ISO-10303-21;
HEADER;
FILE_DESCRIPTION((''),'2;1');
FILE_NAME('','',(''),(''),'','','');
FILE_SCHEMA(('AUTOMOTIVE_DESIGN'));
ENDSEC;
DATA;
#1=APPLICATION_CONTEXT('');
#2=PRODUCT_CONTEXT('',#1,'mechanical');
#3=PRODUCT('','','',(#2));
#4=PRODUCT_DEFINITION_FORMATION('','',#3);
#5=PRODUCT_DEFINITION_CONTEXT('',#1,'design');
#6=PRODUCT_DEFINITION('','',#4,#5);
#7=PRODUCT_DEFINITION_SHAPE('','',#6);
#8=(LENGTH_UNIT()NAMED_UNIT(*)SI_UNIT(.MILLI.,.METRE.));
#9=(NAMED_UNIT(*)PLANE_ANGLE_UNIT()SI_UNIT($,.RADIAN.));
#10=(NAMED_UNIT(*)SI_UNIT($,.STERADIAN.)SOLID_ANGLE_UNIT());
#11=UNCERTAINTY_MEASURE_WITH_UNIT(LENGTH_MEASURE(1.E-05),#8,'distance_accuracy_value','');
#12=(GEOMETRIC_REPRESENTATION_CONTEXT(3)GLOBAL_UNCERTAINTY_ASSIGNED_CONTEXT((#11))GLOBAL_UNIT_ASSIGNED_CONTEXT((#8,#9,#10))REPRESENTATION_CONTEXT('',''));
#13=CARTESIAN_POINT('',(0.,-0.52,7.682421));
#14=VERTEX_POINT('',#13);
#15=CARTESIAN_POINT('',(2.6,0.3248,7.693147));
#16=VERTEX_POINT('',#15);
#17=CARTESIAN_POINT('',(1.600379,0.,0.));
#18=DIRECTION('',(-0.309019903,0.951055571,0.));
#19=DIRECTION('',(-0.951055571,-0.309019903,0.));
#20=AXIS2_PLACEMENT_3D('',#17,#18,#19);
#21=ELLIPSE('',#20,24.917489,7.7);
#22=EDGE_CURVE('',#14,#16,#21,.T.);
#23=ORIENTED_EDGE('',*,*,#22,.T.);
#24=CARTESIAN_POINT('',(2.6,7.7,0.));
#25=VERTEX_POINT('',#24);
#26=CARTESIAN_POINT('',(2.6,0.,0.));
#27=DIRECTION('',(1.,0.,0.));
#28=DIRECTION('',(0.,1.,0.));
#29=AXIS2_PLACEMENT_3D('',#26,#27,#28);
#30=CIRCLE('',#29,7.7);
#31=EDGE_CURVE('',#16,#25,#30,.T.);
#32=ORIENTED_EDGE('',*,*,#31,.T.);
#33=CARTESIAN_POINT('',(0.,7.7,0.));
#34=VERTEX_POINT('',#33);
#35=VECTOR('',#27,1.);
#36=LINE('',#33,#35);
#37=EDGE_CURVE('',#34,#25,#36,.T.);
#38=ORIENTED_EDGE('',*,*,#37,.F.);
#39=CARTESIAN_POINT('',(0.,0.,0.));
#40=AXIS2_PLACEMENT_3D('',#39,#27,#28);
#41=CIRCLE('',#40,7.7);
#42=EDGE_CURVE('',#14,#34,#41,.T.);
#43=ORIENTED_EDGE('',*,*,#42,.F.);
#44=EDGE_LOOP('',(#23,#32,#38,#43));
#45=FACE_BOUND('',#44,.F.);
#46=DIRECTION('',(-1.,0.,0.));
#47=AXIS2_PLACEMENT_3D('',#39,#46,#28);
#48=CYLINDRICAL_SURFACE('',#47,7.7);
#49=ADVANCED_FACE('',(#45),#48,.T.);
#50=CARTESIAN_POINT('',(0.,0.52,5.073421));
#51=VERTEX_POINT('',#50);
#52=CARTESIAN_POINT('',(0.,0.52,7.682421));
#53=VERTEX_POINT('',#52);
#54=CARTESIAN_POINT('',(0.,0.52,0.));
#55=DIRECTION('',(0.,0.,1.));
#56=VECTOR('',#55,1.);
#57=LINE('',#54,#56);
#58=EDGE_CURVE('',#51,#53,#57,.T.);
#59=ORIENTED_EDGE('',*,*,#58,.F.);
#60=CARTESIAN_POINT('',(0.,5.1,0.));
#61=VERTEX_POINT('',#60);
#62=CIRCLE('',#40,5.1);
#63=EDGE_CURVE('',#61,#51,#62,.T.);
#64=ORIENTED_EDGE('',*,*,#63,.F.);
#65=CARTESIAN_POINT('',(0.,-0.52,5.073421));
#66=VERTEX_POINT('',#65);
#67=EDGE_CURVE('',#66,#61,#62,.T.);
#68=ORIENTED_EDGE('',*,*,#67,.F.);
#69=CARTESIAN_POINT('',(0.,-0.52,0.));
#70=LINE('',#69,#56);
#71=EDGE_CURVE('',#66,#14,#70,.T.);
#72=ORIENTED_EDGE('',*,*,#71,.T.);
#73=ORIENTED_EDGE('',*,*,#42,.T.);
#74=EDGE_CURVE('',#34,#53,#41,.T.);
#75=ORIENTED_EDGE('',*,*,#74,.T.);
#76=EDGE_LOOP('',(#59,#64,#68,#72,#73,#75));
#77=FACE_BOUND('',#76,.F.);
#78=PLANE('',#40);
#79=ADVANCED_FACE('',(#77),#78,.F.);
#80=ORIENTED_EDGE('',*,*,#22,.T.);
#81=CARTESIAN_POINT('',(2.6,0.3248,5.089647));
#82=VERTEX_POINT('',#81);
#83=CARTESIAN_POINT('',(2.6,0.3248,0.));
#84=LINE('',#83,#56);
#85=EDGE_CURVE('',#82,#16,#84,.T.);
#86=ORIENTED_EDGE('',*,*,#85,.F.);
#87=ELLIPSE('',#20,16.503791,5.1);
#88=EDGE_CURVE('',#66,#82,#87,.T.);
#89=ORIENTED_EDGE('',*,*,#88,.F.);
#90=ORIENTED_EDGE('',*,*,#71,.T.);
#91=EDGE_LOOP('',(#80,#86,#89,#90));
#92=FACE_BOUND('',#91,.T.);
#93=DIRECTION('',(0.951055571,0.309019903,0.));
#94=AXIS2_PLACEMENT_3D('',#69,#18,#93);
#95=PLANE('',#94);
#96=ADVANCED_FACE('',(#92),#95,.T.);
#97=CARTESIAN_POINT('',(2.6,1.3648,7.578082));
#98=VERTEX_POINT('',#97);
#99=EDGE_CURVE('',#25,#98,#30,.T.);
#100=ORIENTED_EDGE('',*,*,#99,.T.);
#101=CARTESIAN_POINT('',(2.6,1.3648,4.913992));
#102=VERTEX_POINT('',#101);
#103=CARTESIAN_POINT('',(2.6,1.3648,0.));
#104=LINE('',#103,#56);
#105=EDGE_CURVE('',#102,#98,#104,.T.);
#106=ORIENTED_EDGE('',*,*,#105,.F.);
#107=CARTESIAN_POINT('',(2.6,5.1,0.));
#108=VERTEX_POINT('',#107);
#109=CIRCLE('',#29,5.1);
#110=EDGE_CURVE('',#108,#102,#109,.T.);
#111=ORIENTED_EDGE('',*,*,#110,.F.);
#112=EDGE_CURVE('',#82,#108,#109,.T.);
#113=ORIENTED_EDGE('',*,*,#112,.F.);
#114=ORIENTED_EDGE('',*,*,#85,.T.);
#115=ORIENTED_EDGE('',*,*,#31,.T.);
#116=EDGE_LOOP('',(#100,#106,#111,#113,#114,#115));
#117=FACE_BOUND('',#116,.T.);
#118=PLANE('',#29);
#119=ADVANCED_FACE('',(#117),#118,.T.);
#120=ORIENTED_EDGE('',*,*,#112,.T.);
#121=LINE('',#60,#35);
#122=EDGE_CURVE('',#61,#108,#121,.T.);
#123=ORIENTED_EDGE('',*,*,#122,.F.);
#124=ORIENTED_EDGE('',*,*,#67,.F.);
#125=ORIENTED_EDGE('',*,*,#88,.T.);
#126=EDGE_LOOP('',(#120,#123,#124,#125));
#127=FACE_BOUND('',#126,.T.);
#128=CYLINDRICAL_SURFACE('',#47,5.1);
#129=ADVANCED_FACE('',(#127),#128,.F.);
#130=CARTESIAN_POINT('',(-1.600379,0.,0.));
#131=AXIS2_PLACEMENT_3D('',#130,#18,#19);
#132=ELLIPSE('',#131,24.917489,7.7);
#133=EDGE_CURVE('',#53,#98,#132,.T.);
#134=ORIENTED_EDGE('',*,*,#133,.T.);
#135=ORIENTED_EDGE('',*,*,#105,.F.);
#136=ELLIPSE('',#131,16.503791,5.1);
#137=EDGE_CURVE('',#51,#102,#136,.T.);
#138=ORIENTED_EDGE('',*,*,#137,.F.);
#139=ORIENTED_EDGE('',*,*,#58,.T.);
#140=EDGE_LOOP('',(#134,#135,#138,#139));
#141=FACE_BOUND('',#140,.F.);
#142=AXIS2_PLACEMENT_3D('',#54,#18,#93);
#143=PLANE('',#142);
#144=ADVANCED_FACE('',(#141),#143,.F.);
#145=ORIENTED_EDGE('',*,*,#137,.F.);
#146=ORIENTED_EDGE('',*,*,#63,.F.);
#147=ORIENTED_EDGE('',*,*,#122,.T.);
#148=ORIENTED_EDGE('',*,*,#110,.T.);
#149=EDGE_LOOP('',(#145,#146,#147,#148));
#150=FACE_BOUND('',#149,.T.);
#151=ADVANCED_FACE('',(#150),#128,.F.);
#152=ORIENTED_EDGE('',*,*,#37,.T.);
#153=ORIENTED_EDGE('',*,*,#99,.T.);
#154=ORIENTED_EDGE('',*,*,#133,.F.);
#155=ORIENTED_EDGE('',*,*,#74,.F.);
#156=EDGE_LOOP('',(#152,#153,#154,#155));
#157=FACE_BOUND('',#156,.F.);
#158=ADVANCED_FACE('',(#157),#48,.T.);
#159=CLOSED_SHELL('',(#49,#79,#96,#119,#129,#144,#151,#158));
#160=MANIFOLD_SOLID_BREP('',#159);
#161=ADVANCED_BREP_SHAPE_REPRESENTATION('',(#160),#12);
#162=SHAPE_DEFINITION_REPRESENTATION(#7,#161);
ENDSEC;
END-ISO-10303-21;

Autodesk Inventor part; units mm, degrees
ref_plane "YZ Plane" through (0, 0, 0) normal (1, 0, 0) x (0, 1, 0)
ref_plane "XZ Plane" through (0, 0, 0) normal (0, 1, 0) x (-1, 0, 0)
sketch "草图1" plane through (0, 0, 0) normal (1, 0, 0) x (0, 1, 0)
  circle A0 centre (0, 0) radius 7.7
  circle A1 centre (0, 0) radius 5.1
  dimension "d0" = 10.2
  dimension "d1" = 15.4
extrude "轴承体" add sketch "草图1" along normal blind 2.6
sketch "草图2" plane through (0, 0, 0) normal (0, 0, 1) x (1, 0, 0)
  line L0 (0, -5.1) -> (0, 5.1) projected
  line L1 (2.6, 7.7) -> (2.6, -7.7) projected
  line L2 (-1.2, 0) -> (7.2, 0) projected
  line L3 (0, -0.52) -> (2.6, 0.3248)
  line L4 (0, 0.52) -> (2.6, 1.3648)
  dimension "d4" = 0.52
  dimension "d5" = 0.52
  dimension "d6" = 72
extrude "切口" cut sketch "草图2" along normal up to next contours L0 L2 L3 | L0 L4 L1 L3 L2
ref_plane "Work Plane1" through (0, 0, 0) normal (0, -1, 0) x (1, 0, 0)
equation "\"d0\" = SD1"
equation "\"d1\" = SD2"
equation "\"d2\" = SD"
equation "\"d4\" = 0.2 * SD"
equation "\"d5\" = 0.2 * SD"
equation "\"d6\" = FAWI"
equation "\"d7\" = SD"
equation "\"SD1\" = 10.2"
equation "\"SD2\" = 15.4"
equation "\"SD\" = 2.6"
equation "\"FAWI\" = 72deg"
properties part number "垫圈 GB 93-87 10" material "钢，软"
